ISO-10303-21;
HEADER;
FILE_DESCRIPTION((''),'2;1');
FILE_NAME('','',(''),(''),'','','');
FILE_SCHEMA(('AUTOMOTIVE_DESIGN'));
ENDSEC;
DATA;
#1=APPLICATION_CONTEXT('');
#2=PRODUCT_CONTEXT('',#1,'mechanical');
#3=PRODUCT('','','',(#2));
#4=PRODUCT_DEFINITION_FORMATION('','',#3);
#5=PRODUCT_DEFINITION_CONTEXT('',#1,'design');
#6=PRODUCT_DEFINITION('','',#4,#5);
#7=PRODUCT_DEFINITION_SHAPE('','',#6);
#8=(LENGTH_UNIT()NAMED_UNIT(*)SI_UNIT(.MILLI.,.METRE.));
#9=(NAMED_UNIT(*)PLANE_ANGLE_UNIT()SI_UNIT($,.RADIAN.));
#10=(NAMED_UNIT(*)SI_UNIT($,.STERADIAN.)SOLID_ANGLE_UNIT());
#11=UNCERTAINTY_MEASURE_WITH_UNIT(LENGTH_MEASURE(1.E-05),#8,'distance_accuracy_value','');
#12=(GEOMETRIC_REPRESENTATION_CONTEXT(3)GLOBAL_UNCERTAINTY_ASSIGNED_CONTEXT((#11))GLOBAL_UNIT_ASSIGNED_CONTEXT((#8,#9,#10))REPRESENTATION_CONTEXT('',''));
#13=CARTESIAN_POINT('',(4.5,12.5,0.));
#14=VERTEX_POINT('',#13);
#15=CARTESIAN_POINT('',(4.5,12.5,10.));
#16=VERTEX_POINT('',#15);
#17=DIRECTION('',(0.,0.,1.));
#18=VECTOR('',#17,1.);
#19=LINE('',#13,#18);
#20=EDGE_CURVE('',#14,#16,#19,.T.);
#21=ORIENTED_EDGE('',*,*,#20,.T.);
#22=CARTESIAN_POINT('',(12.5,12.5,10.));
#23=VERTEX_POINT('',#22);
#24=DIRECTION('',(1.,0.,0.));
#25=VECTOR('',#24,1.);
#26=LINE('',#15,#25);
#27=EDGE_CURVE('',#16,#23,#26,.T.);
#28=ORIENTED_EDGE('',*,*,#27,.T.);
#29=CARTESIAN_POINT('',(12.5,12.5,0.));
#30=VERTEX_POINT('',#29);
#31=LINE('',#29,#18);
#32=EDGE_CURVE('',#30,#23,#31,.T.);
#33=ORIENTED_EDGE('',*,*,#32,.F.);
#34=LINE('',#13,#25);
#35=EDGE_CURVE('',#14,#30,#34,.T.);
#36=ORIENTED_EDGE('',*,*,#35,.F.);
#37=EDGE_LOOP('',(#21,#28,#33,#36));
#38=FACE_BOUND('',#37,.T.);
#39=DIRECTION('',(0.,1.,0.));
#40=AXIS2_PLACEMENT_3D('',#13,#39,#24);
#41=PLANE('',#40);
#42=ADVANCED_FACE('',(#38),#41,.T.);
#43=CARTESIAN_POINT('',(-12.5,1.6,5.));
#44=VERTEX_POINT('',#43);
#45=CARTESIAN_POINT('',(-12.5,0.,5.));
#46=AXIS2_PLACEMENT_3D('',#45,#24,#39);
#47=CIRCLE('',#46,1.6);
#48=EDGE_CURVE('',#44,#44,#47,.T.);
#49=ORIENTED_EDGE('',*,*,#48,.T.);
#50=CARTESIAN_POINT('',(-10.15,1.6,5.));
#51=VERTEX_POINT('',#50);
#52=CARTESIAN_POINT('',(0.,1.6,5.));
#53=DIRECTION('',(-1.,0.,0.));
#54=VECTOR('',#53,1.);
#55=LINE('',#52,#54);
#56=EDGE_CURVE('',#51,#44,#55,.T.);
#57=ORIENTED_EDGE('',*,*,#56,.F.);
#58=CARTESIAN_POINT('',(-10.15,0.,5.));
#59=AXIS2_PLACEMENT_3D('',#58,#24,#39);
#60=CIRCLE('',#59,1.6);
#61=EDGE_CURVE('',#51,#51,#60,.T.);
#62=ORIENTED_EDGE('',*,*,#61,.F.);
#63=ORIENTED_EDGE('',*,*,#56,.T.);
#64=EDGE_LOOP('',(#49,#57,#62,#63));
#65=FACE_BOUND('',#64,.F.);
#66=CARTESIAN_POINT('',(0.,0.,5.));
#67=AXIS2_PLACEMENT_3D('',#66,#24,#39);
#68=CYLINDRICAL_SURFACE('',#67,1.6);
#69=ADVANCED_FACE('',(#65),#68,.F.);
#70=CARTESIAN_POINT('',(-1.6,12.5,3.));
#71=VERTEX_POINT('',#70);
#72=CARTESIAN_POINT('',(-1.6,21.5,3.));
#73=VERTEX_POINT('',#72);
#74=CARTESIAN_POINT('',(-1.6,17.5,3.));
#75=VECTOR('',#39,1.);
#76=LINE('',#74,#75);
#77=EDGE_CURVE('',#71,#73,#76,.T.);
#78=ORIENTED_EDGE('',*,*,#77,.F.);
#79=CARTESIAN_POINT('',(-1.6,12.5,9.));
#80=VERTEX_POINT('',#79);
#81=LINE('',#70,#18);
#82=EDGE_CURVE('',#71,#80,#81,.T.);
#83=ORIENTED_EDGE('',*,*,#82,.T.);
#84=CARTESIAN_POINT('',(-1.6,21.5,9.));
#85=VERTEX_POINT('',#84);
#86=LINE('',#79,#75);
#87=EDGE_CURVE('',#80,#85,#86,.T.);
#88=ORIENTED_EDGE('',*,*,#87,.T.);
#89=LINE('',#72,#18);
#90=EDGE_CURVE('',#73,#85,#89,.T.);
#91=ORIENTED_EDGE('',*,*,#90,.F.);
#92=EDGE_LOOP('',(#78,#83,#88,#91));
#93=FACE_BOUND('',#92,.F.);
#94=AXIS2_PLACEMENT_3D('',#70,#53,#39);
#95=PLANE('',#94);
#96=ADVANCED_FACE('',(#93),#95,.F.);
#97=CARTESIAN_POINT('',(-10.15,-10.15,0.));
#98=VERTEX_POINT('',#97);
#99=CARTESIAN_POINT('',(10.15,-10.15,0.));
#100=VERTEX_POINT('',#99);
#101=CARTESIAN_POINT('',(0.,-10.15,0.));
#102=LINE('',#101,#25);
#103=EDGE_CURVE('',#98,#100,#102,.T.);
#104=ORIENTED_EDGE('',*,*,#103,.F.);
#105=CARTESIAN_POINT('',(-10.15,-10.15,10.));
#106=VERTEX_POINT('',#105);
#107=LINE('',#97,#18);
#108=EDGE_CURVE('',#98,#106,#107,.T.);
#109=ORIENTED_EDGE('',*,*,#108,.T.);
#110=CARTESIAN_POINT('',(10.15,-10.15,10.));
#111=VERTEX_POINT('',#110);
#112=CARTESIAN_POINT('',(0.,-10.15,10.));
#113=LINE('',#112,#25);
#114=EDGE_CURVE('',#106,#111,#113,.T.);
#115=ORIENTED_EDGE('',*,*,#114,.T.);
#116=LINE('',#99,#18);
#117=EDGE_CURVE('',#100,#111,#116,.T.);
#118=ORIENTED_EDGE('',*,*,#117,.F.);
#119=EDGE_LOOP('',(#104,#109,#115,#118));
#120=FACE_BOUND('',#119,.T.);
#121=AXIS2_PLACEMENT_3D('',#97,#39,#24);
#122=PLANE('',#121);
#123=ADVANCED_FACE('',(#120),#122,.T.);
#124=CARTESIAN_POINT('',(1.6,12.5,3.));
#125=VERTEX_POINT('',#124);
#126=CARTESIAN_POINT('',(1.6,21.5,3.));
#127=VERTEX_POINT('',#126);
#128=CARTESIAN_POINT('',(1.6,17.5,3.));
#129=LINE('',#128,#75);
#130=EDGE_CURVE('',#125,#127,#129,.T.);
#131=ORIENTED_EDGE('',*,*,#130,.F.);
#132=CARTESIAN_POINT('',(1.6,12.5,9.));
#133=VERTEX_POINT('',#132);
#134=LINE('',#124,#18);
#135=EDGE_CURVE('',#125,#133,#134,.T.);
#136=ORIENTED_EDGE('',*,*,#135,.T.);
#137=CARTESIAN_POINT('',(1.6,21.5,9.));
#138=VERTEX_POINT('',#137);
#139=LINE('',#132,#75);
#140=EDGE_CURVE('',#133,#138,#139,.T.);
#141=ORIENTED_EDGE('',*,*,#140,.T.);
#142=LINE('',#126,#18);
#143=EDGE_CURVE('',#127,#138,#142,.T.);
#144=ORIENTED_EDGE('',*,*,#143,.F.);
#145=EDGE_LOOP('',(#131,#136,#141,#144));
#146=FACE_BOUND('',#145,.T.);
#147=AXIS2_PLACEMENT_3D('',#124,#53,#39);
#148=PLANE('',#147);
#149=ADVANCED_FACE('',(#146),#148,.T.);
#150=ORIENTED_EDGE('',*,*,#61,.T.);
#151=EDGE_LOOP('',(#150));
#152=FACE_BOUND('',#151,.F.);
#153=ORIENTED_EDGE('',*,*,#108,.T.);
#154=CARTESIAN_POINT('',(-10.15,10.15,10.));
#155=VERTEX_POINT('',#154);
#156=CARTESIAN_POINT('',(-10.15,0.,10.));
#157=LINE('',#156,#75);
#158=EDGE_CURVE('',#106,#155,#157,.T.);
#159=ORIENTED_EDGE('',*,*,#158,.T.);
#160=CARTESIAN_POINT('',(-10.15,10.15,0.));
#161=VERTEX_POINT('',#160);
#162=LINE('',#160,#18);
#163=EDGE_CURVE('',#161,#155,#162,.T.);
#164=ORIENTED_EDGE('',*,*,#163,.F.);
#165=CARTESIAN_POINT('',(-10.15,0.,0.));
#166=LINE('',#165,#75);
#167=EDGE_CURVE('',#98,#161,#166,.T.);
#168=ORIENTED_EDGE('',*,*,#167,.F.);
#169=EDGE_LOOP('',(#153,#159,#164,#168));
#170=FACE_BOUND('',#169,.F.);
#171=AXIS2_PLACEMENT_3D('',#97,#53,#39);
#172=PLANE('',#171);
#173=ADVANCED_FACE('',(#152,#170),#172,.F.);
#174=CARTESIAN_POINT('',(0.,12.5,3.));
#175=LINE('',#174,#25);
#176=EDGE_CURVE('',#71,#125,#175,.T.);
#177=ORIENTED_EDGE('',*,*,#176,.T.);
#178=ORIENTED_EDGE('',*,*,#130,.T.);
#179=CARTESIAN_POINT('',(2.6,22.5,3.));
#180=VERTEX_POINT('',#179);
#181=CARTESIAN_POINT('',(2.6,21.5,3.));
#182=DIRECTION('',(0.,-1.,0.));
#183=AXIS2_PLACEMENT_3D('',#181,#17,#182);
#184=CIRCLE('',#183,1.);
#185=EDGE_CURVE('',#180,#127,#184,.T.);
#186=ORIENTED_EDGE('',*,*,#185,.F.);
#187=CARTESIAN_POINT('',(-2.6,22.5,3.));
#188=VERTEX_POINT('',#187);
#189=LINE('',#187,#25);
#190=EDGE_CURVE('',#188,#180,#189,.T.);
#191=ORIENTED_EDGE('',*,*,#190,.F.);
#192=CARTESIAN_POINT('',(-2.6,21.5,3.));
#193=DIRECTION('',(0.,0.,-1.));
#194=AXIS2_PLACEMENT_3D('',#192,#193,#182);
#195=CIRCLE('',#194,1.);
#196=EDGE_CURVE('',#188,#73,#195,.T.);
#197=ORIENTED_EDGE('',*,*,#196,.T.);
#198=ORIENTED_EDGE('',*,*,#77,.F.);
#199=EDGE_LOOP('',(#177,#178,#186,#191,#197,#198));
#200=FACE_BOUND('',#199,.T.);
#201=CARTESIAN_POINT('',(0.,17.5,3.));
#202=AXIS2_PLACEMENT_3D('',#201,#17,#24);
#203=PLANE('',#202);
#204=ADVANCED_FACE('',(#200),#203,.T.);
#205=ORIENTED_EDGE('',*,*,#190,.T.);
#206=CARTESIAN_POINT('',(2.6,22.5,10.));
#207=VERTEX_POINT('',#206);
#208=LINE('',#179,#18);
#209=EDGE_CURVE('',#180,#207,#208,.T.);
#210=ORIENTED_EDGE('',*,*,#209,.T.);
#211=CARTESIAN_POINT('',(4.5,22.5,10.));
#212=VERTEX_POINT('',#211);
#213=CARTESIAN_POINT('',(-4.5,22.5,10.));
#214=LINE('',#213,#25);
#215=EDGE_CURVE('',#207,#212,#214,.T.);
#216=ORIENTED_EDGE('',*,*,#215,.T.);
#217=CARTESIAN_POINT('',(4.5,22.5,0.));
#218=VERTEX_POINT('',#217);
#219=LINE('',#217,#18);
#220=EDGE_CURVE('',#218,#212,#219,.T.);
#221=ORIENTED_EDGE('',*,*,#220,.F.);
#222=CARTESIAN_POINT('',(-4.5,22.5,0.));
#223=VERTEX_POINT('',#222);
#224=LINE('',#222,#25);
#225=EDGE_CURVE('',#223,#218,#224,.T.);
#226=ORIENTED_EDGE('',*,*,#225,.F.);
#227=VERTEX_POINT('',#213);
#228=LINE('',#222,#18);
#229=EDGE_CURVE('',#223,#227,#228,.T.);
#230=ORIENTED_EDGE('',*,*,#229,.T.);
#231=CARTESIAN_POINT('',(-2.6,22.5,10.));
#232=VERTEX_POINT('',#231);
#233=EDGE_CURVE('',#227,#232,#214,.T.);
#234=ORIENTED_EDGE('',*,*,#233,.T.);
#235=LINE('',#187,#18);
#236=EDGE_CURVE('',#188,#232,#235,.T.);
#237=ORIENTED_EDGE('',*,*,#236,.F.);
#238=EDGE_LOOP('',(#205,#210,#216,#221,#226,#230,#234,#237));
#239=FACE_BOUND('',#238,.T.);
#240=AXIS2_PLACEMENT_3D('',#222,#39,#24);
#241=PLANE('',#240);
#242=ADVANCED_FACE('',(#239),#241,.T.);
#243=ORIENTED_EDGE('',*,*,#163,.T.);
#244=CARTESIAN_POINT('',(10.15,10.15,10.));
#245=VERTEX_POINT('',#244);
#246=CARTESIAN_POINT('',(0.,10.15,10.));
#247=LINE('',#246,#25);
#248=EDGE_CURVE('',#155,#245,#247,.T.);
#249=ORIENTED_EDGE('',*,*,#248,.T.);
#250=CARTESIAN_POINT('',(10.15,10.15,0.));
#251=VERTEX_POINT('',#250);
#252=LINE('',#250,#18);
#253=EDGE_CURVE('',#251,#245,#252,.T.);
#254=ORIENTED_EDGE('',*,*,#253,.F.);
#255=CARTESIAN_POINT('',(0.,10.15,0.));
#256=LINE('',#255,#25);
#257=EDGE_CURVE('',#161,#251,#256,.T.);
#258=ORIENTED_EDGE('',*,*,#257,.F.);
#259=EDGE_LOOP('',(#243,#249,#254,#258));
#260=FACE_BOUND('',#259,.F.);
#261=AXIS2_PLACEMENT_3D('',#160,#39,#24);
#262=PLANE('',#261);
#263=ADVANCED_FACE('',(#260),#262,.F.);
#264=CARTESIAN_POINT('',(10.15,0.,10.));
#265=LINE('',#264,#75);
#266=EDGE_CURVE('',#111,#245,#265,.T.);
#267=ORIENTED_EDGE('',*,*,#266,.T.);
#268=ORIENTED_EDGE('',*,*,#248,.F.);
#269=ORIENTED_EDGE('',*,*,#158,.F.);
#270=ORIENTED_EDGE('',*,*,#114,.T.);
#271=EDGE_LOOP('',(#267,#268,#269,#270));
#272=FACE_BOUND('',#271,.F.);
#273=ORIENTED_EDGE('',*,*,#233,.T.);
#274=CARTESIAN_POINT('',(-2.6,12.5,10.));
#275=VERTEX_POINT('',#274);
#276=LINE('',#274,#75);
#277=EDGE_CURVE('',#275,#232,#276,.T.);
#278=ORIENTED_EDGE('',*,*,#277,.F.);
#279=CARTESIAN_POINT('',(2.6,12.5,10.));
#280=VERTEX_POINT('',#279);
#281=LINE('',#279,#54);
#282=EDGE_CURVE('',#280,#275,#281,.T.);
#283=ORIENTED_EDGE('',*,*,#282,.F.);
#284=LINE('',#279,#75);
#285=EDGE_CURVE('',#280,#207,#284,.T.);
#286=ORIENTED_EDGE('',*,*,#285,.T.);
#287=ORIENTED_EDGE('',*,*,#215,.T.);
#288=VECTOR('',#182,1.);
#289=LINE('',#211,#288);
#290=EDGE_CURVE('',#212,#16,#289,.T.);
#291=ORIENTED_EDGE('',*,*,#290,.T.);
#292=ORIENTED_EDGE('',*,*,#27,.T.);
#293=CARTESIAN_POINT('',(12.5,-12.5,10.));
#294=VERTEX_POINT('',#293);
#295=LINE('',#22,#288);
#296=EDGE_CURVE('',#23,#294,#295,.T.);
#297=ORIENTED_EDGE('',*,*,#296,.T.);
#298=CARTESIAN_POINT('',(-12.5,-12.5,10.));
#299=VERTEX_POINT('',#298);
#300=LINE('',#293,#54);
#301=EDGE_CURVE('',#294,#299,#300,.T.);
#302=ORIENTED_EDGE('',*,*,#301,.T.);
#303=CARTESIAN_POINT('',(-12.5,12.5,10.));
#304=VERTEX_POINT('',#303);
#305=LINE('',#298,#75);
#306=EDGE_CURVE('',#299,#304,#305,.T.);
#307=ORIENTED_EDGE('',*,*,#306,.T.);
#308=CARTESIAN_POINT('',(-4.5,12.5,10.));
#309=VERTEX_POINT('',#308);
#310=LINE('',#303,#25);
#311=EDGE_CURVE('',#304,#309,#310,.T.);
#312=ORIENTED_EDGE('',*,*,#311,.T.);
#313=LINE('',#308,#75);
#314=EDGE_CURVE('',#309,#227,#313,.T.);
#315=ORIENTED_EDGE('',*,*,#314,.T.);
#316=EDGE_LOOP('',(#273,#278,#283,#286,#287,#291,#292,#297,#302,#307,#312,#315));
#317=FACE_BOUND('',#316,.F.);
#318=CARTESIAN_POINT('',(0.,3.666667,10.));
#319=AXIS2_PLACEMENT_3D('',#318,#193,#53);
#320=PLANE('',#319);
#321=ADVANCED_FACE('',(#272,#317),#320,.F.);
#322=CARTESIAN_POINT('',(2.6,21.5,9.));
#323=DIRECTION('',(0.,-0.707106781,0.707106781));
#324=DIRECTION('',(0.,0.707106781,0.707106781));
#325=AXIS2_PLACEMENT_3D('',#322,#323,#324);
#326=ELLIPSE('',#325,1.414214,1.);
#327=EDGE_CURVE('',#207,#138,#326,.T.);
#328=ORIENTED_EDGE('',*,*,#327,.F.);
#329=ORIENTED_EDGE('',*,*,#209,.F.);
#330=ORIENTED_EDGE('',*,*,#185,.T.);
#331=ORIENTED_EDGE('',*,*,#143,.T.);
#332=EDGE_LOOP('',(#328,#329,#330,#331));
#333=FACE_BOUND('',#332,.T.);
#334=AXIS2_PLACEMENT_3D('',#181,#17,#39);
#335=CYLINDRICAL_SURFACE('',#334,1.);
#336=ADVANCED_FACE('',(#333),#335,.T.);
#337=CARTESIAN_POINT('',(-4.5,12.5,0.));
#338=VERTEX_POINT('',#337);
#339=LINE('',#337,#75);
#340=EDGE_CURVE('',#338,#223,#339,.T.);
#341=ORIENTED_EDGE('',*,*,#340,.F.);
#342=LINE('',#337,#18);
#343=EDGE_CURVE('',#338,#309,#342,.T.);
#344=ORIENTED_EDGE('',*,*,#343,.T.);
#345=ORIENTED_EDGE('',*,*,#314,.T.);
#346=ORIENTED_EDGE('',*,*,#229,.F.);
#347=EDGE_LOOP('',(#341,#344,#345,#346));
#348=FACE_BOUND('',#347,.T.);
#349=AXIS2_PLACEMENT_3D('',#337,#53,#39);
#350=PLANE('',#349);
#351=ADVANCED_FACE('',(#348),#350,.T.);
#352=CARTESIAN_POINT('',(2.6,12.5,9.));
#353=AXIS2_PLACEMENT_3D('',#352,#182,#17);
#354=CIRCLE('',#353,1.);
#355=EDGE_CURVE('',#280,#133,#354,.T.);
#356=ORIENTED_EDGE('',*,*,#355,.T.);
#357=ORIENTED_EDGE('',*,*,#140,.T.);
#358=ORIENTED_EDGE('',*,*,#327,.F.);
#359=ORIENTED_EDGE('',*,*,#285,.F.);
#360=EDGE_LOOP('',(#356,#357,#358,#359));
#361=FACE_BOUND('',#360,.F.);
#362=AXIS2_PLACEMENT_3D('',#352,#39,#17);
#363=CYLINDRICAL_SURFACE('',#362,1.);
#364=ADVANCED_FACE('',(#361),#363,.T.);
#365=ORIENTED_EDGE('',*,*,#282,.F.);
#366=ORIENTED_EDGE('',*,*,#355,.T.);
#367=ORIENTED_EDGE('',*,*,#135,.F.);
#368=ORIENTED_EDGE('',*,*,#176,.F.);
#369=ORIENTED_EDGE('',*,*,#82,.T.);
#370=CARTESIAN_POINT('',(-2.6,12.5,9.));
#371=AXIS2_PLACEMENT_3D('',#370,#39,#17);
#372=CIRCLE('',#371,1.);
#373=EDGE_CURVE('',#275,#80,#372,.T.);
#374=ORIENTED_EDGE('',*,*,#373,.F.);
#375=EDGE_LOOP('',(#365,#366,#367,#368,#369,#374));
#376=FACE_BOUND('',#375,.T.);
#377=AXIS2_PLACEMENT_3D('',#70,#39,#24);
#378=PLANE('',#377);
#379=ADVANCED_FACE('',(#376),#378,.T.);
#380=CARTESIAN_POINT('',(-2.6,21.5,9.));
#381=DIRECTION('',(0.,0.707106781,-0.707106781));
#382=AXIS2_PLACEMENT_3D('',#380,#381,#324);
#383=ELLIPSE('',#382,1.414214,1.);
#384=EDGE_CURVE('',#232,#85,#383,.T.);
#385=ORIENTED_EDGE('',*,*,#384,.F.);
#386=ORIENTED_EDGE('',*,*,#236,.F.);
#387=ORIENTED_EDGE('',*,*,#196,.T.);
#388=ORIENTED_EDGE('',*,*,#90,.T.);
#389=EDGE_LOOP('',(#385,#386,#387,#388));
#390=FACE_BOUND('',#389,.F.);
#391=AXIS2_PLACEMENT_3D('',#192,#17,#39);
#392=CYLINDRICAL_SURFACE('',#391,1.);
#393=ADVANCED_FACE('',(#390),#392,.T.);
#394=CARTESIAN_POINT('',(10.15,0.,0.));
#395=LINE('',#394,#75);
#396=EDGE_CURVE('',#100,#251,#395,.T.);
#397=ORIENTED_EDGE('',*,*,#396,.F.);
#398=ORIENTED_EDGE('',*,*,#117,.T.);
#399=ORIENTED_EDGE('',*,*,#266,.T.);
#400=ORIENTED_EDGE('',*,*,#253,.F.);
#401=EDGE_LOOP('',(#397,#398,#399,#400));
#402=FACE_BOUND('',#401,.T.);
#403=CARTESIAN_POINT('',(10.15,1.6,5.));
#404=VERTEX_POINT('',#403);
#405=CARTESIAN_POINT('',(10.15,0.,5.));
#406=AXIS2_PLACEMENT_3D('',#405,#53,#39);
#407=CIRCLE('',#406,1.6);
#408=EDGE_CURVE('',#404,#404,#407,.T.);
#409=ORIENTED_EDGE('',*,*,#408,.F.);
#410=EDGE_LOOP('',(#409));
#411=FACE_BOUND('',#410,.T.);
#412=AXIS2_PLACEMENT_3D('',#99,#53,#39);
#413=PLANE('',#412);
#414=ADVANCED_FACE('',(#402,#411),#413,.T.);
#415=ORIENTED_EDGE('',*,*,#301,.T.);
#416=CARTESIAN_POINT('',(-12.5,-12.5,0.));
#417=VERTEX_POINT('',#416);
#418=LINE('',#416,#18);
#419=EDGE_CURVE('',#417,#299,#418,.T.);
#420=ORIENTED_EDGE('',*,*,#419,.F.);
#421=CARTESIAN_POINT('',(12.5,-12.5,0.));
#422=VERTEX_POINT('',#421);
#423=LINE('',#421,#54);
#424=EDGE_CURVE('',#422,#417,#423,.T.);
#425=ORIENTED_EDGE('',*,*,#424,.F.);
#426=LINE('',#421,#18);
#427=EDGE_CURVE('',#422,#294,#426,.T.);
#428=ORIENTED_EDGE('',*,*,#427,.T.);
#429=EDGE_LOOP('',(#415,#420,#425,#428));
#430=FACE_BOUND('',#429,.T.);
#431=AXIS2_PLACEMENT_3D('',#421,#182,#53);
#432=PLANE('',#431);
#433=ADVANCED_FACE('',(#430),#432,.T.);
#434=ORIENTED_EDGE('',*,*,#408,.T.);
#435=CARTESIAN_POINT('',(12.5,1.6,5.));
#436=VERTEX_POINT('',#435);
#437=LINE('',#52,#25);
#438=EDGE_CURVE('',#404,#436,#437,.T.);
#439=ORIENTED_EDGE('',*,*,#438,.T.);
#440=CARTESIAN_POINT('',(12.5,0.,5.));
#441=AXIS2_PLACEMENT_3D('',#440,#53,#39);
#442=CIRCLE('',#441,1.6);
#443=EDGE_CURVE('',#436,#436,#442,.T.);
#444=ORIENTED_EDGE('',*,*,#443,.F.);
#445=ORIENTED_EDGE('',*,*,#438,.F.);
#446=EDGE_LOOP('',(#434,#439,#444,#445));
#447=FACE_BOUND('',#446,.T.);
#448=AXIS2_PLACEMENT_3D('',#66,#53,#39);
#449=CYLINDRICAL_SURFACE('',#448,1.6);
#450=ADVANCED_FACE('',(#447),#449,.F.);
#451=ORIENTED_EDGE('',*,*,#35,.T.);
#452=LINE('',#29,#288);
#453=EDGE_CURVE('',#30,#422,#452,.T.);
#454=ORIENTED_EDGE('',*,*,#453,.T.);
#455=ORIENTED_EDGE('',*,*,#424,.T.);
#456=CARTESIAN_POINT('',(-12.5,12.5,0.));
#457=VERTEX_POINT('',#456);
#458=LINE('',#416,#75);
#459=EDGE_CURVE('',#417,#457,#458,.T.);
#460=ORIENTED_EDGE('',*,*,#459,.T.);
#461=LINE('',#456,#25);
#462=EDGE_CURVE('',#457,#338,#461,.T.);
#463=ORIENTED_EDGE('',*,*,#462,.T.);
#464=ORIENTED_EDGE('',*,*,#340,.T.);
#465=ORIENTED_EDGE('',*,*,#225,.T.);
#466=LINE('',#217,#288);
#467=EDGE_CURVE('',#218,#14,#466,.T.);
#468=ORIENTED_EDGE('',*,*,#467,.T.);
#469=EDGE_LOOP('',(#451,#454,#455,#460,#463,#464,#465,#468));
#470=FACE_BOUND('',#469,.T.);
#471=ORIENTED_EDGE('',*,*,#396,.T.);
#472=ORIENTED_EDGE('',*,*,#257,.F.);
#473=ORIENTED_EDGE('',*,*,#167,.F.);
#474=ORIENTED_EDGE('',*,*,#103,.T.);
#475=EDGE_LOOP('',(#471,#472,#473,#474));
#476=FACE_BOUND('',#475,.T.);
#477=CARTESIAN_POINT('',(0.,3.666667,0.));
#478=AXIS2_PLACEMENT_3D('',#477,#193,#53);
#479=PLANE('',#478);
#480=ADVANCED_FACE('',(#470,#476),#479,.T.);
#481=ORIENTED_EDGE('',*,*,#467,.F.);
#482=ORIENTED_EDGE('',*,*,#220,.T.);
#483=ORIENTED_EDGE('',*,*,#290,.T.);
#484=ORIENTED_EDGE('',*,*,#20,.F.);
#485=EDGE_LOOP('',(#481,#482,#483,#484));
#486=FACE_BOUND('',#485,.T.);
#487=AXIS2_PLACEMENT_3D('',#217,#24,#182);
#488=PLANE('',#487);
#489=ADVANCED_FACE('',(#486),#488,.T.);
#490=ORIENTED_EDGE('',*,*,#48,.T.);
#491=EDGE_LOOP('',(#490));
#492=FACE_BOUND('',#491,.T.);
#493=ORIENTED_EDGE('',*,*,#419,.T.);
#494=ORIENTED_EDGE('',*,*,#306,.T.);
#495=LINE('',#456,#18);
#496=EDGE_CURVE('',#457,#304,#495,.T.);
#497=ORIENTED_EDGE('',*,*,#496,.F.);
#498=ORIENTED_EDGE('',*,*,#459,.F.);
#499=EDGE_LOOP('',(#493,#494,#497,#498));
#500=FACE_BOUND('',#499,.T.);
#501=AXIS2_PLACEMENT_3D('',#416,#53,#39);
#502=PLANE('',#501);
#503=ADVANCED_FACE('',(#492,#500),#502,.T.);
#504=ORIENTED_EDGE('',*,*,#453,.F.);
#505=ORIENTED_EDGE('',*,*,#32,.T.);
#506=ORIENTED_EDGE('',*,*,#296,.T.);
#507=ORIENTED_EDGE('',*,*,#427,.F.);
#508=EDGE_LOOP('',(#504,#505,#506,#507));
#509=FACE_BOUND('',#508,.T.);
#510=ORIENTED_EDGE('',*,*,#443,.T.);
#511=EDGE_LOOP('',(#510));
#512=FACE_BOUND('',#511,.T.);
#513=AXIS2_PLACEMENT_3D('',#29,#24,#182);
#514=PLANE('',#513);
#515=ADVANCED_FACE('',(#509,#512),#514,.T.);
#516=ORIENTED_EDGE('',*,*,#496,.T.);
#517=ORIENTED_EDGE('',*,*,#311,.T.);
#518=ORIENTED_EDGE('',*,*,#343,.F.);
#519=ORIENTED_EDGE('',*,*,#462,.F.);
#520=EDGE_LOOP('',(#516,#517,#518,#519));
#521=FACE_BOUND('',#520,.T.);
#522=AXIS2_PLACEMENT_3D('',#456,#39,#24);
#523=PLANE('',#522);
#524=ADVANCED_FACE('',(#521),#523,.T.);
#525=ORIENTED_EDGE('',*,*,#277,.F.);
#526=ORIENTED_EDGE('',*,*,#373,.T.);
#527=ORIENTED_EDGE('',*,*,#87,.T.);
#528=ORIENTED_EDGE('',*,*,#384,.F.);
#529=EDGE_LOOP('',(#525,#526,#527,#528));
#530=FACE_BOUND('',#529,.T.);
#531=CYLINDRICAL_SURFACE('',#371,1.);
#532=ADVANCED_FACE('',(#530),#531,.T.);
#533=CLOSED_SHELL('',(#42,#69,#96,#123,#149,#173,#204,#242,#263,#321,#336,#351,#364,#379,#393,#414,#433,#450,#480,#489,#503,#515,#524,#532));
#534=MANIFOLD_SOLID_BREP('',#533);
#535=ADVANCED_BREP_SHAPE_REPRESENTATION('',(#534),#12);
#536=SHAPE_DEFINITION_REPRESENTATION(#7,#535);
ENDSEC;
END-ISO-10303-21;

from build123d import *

# Parameters (mm, degrees)
SKETCH034_W          = 20.3
SKETCH034_H          = 20.3
PAD005_DEPTH         = 10
SKETCH035_W          = 3.2
SKETCH035_H          = 10
POCKET026_DEPTH      = 7
FILLET002_R          = 1
SKETCH036_R          = 1.6
POCKET027_DEPTH      = 12.501
POCKET027_DEPTH_BACK = 12.501


with BuildPart() as part:
    # Sketch034 → Pad005 (new body)
    with BuildSketch(Plane.XY):
        Polygon((-12.5, 12.5), (-4.5, 12.5), (-4.5, 22.5), (4.5, 22.5), (4.5, 12.5), (12.5, 12.5), (12.5, -12.5), (-12.5, -12.5), align=None)
        Rectangle(SKETCH034_W, SKETCH034_H, mode=Mode.SUBTRACT)
    extrude(amount=PAD005_DEPTH)

    # Sketch035 → Pocket026 (cut)
    with BuildSketch(Plane.XY.offset(3)):
        with Locations((0, 17.5)):
            Rectangle(SKETCH035_W, SKETCH035_H)
    extrude(amount=POCKET026_DEPTH, mode=Mode.SUBTRACT)

    # Fillet002
    fillet002_edges = [part.edges().sort_by_distance(p)[0] for p in [
        (1.6, 22.5, 6.5),
        (1.6, 17.5, 10),
        (-1.6, 22.5, 6.5),
        (-1.6, 17.5, 10),
    ]]
    fillet(fillet002_edges, radius=FILLET002_R)

    # Sketch036 → Pocket027 (cut, two sides)
    with BuildSketch(Plane.YZ) as pocket027_sk:
        with Locations((0, 5)):
            Circle(SKETCH036_R)
    extrude(amount=-POCKET027_DEPTH, mode=Mode.SUBTRACT)
    extrude(pocket027_sk.sketch, amount=POCKET027_DEPTH_BACK, mode=Mode.SUBTRACT)


solid = part.part
